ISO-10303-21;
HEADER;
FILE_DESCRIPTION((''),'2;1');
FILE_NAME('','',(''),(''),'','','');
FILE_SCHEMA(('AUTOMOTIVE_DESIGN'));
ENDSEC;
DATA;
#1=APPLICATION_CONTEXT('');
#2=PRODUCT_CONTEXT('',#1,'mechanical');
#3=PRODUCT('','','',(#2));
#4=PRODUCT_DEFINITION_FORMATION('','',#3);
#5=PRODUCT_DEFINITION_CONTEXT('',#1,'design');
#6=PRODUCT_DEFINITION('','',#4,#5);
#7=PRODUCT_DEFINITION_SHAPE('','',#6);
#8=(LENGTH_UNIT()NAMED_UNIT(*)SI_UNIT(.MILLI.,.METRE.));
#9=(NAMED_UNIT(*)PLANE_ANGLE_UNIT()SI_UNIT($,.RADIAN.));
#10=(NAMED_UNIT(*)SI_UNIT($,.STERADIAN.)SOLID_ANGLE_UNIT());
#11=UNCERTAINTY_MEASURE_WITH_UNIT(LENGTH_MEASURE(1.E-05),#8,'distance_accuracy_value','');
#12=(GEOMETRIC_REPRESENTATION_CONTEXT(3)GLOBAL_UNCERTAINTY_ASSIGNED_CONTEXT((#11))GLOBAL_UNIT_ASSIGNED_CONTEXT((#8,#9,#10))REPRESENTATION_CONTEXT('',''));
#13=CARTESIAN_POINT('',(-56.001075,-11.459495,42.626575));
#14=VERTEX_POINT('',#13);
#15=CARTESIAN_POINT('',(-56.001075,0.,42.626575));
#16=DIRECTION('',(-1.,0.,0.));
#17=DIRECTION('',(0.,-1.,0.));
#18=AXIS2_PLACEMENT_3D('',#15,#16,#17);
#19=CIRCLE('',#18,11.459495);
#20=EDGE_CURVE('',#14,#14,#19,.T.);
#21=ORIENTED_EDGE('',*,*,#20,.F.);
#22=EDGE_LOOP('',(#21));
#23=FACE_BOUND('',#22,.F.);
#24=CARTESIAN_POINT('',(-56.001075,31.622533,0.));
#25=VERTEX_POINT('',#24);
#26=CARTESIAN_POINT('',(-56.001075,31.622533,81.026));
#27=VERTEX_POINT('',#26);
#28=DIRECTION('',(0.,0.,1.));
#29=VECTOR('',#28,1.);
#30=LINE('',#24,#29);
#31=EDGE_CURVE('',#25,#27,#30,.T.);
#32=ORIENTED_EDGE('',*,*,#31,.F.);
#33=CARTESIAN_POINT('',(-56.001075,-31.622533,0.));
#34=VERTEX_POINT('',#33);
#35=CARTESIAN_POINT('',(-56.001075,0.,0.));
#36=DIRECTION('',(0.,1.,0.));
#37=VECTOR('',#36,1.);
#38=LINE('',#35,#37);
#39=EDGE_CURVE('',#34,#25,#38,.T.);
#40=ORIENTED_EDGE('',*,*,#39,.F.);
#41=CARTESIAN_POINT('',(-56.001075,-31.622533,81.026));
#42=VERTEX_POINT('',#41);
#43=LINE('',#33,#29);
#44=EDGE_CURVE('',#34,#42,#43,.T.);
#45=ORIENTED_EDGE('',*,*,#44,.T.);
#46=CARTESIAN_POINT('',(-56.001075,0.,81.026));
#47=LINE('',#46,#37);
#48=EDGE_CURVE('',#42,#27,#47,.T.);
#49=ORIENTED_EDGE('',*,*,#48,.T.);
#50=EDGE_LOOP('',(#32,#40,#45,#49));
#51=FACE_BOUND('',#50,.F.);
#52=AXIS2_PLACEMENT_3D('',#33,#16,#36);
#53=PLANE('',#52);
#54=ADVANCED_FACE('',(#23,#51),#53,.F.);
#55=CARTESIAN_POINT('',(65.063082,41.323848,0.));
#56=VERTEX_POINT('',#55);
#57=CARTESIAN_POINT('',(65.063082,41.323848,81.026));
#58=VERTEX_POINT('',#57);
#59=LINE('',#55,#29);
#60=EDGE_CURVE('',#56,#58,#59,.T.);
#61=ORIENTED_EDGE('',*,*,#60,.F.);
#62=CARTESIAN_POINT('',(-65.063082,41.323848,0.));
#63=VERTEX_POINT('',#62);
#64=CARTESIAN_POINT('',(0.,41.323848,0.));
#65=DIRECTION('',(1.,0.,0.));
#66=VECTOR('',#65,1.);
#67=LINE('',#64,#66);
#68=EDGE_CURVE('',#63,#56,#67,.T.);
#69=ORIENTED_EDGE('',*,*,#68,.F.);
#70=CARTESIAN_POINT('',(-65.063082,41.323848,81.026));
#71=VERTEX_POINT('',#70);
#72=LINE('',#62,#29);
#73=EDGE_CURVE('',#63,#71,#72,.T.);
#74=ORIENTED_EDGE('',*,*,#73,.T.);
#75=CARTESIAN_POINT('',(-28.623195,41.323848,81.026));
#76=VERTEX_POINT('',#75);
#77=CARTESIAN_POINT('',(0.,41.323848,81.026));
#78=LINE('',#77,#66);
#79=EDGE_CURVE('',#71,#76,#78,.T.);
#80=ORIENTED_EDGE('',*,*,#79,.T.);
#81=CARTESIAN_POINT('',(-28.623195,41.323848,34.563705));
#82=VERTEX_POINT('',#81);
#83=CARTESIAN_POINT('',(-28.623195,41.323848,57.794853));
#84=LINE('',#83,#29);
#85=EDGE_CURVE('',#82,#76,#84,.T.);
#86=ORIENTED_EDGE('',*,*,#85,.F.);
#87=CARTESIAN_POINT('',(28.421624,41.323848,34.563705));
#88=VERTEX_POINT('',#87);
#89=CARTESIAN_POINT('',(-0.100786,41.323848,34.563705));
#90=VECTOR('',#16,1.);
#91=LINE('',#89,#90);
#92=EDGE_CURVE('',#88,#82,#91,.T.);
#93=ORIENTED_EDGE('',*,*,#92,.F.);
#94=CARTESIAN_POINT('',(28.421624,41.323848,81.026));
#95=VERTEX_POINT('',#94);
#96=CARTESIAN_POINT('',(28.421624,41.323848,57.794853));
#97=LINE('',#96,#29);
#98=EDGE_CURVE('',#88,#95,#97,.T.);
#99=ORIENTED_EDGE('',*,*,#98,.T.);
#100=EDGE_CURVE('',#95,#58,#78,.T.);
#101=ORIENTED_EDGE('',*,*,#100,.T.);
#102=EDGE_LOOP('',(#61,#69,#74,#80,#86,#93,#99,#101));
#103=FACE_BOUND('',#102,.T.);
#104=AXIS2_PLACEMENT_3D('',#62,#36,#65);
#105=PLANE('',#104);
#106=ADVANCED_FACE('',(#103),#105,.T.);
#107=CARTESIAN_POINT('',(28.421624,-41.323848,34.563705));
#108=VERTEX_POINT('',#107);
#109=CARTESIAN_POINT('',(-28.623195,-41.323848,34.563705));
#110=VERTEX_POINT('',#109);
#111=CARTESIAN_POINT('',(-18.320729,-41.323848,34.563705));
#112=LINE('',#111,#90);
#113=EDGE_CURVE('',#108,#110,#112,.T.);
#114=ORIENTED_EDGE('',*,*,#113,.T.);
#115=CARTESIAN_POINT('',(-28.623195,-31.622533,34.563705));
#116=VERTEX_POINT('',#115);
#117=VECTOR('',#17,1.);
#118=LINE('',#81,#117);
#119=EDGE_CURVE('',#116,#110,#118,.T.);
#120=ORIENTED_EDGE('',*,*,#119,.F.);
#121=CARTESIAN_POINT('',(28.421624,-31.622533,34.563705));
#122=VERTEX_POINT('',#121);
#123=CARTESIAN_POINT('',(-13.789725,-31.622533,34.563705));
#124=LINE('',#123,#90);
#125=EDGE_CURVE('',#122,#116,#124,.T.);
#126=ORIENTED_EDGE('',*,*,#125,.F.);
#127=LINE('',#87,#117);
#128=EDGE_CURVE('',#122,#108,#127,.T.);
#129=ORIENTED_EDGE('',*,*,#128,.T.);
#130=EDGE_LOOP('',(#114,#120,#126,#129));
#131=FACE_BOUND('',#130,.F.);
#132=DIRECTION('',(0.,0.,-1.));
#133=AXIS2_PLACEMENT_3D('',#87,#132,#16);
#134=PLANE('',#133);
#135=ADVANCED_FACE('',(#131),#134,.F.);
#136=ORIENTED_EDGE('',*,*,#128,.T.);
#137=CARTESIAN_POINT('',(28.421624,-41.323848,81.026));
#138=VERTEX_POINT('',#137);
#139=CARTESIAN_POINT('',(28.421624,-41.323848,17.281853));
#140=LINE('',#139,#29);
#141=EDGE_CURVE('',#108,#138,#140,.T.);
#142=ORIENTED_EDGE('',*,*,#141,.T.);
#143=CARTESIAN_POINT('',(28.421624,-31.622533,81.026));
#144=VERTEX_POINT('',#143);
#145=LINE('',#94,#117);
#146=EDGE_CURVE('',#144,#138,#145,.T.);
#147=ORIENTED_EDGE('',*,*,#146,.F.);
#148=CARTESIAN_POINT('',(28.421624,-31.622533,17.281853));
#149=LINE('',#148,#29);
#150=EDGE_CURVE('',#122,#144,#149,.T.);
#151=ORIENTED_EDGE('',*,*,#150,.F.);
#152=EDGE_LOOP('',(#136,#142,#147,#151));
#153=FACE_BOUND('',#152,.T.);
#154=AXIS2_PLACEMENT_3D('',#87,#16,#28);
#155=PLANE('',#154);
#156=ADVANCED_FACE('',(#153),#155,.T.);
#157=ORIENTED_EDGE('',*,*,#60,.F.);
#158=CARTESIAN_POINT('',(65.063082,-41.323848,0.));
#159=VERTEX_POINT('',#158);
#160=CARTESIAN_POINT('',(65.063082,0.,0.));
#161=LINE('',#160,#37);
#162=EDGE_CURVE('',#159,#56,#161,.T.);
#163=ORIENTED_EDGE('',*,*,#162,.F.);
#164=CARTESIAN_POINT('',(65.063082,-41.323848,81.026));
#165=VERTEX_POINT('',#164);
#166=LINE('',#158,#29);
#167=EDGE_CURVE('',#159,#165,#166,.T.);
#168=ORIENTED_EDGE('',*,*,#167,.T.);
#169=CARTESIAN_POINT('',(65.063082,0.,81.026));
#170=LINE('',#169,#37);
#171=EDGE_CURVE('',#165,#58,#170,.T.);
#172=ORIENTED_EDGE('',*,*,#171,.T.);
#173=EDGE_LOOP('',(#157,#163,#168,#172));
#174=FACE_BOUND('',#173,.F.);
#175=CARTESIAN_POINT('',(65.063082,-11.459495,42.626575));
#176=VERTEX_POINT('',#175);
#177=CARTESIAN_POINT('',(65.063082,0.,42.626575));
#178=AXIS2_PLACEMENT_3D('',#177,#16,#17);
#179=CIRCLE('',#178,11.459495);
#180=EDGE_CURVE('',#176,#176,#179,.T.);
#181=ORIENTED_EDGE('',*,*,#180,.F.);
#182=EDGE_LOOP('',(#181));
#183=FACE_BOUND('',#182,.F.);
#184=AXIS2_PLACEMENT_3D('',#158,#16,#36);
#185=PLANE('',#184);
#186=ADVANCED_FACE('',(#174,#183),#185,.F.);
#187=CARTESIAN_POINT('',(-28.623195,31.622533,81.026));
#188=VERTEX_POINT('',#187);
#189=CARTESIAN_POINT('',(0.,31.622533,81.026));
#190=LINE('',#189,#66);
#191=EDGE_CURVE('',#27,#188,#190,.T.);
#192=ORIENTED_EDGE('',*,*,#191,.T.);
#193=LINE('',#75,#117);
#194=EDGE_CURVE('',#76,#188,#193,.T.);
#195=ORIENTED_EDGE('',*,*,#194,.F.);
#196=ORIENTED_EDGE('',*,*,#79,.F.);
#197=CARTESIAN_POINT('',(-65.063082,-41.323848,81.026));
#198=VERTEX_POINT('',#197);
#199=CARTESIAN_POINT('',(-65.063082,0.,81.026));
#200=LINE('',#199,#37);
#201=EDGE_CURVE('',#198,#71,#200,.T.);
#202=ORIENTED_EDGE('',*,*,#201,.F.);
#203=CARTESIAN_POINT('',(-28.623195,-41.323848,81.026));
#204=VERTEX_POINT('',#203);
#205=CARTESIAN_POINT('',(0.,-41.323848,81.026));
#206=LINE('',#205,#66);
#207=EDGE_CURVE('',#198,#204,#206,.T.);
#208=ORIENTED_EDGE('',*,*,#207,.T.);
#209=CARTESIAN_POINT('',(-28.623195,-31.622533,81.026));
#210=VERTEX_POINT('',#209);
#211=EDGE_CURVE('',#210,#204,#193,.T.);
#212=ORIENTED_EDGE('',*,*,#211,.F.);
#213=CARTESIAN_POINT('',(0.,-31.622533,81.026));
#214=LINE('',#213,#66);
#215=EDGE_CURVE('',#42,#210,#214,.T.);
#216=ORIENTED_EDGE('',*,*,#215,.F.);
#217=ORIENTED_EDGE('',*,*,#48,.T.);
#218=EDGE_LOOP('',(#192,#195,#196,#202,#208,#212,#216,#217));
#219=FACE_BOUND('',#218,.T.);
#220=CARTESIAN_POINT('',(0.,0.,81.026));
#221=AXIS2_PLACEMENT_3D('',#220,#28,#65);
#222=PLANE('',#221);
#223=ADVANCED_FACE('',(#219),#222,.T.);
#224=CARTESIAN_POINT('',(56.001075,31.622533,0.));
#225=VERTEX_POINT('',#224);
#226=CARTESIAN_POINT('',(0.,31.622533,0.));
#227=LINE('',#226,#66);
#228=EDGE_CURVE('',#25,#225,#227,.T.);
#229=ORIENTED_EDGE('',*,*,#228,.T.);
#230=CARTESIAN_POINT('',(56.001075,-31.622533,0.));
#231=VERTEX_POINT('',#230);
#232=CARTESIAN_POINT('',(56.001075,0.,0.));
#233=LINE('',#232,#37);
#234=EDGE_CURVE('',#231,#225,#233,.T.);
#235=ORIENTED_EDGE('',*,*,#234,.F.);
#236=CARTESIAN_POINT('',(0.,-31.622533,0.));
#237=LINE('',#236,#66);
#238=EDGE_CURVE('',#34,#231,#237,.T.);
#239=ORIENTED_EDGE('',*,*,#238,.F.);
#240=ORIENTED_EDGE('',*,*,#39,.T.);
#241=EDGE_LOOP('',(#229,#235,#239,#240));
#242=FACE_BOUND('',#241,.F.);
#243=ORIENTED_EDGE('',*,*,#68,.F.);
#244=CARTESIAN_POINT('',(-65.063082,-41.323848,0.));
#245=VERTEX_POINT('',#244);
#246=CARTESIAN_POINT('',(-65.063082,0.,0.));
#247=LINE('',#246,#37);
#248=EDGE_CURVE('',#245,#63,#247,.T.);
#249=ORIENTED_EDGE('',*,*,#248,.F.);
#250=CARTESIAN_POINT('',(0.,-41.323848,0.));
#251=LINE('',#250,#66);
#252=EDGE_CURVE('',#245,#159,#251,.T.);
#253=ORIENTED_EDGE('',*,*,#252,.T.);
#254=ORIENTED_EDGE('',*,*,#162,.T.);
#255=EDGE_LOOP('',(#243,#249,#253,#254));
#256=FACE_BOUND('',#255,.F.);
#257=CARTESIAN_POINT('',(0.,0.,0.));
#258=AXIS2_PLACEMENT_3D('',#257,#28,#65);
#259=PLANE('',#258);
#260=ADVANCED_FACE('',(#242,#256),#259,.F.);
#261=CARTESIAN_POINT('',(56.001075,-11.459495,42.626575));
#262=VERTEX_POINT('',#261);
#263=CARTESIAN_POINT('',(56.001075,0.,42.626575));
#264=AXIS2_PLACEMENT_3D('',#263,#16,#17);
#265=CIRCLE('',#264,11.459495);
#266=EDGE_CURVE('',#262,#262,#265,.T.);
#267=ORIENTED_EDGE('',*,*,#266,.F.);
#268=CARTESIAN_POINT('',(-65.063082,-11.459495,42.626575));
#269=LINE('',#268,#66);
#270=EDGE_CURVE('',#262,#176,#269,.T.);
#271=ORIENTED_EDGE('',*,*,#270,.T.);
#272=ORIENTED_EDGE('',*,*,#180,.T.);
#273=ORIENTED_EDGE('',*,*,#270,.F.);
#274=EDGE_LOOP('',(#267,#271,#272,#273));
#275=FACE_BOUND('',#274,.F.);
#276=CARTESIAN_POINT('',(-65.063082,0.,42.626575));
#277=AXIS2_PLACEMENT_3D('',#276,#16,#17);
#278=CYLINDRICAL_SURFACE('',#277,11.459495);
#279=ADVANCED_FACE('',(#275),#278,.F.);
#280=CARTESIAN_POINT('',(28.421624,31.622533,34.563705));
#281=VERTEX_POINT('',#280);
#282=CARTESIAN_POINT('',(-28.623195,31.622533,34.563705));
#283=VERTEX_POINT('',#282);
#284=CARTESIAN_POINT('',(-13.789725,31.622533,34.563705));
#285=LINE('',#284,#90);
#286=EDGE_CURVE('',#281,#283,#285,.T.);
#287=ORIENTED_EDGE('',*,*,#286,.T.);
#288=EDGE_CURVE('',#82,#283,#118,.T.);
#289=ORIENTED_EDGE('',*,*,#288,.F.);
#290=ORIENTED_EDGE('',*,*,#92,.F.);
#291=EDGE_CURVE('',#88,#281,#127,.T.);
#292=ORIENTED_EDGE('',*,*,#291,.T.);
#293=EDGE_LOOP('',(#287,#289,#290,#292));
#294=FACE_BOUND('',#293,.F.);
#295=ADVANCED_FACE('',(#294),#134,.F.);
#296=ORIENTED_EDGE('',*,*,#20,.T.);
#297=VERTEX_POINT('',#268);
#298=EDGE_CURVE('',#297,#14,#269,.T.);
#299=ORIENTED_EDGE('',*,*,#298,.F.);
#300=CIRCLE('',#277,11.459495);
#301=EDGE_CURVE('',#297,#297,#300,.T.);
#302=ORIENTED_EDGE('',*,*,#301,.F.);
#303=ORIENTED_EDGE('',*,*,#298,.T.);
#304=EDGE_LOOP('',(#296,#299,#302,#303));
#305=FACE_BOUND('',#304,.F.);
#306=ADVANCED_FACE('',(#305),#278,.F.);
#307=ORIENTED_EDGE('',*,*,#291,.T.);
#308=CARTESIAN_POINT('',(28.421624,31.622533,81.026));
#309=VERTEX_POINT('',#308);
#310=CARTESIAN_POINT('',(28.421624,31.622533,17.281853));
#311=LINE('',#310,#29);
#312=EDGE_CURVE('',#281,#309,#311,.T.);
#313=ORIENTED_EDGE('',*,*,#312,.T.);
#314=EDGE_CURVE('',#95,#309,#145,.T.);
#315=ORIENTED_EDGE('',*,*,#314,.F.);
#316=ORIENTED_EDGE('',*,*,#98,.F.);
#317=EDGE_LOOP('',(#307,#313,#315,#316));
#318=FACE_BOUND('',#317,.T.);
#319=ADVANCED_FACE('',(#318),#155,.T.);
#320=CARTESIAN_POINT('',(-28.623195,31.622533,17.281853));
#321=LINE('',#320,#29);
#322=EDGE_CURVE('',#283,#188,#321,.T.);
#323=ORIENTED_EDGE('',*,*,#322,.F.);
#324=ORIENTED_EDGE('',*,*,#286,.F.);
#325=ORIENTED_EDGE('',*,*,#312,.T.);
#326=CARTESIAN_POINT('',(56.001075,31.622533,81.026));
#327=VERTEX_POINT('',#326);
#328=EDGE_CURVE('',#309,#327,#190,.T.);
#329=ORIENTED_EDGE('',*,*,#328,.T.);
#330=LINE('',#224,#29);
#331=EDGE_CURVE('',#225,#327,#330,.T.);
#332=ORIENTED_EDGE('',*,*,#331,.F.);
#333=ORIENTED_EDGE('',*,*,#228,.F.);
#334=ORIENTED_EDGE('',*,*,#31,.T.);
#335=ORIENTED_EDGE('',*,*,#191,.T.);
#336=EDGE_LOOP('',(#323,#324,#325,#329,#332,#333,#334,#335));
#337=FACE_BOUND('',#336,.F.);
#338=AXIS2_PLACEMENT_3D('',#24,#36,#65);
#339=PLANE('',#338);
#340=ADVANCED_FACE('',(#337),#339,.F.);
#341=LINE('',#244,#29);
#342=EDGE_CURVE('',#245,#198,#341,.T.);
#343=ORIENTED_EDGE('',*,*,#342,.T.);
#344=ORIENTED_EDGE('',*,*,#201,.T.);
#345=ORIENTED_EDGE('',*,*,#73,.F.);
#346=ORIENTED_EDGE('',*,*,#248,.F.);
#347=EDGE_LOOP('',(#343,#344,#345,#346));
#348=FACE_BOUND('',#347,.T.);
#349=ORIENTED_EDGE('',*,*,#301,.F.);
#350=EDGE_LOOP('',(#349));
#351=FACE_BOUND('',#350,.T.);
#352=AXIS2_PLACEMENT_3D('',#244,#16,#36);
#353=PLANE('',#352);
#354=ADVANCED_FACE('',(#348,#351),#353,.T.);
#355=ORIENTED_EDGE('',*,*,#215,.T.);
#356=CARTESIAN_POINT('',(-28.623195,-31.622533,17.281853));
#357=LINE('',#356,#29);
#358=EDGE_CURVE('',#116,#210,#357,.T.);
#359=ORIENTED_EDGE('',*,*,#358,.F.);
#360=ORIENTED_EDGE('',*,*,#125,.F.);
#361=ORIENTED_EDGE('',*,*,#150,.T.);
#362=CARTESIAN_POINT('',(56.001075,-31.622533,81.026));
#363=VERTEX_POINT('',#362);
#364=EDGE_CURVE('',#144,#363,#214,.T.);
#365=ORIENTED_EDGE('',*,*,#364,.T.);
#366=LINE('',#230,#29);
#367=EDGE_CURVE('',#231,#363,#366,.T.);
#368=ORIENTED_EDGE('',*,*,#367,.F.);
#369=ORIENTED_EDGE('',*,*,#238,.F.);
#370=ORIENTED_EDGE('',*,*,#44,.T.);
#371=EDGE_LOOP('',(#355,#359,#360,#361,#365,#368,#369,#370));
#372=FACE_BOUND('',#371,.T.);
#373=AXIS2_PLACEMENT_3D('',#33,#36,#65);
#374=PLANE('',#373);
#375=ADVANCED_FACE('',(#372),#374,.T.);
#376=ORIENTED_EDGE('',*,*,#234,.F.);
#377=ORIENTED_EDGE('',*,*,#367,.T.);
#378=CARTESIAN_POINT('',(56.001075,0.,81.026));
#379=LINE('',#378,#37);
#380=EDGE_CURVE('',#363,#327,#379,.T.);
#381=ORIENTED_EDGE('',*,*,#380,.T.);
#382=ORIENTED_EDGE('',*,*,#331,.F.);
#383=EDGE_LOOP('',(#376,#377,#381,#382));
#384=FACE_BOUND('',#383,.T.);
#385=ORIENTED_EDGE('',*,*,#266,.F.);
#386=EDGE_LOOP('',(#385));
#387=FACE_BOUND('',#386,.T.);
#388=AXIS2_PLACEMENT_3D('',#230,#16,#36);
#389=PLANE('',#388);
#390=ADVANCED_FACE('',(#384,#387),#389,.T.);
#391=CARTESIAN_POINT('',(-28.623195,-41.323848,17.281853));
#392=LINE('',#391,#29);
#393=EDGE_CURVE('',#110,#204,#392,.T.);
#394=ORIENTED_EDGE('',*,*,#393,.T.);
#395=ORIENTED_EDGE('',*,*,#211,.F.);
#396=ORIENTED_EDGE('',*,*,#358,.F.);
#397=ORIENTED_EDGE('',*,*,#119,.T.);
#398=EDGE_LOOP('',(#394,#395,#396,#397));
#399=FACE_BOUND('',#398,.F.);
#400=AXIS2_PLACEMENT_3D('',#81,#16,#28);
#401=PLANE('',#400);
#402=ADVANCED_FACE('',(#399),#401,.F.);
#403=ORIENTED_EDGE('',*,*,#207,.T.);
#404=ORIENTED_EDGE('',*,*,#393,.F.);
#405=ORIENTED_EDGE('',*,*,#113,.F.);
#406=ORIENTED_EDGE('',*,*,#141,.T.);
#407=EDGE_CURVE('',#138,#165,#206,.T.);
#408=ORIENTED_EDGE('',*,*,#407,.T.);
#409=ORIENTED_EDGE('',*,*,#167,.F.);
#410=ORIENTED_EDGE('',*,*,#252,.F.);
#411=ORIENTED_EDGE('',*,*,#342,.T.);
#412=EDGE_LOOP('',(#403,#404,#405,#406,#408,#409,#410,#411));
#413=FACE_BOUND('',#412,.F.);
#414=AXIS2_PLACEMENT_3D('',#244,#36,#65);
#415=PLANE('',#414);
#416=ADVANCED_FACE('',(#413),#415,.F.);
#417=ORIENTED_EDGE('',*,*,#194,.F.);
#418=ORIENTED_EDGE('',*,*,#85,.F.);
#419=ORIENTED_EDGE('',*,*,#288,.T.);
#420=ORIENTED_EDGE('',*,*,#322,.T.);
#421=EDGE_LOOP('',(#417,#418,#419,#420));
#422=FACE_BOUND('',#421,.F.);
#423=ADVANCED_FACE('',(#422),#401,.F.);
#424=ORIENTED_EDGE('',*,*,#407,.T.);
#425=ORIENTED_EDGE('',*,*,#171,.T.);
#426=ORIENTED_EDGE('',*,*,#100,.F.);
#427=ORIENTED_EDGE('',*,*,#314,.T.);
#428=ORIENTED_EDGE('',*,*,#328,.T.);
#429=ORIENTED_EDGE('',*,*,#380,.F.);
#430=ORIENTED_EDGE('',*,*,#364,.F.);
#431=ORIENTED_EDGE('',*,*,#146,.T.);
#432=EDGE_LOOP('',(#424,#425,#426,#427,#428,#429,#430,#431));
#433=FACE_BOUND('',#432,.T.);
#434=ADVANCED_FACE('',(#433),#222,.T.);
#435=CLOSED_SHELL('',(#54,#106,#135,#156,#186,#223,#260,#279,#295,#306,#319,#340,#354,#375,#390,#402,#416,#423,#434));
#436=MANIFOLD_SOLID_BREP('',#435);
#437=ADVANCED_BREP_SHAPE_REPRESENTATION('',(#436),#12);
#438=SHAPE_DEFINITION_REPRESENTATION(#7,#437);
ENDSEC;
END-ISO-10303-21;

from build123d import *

# Parameters (mm, degrees)
F1_W     = 130.1261633635
F1_H     = 82.6476961374
F1_W_2   = 112.0021492243
F1_H_2   = 63.2450655103
F2_DEPTH = 81.026
F3_W     = 57.0448189974
F3_H     = 46.4622946749
F4_DEPTH = 105.156
F5_R     = 11.4594947591
F6_DEPTH = 164.338


with BuildPart() as f2:
    # F1 (on face) → F2 (new body)
    with BuildSketch(Plane.XY):
        Rectangle(F1_W, F1_H)
        Rectangle(F1_W_2, F1_H_2, mode=Mode.SUBTRACT)
    extrude(amount=F2_DEPTH)

    # F3 (on face) → F4 (cut)
    with BuildSketch(Plane(origin=(0, 41.3238480687, 0), x_dir=(-1, 0, 0), z_dir=(0, 1, 0))):
        with Locations((0.1007858664, 57.7948526626)):
            Rectangle(F3_W, F3_H)
    extrude(amount=-F4_DEPTH, mode=Mode.SUBTRACT)

    # F5 (on face) → F6 (cut)
    with BuildSketch(Plane(origin=(-65.0630816817, 0, 0), x_dir=(0, -1, 0), z_dir=(-1, 0, 0))):
        with Locations((0, 42.6265746355)):
            Circle(F5_R)
    extrude(amount=-F6_DEPTH, mode=Mode.SUBTRACT)


solid = f2.part
